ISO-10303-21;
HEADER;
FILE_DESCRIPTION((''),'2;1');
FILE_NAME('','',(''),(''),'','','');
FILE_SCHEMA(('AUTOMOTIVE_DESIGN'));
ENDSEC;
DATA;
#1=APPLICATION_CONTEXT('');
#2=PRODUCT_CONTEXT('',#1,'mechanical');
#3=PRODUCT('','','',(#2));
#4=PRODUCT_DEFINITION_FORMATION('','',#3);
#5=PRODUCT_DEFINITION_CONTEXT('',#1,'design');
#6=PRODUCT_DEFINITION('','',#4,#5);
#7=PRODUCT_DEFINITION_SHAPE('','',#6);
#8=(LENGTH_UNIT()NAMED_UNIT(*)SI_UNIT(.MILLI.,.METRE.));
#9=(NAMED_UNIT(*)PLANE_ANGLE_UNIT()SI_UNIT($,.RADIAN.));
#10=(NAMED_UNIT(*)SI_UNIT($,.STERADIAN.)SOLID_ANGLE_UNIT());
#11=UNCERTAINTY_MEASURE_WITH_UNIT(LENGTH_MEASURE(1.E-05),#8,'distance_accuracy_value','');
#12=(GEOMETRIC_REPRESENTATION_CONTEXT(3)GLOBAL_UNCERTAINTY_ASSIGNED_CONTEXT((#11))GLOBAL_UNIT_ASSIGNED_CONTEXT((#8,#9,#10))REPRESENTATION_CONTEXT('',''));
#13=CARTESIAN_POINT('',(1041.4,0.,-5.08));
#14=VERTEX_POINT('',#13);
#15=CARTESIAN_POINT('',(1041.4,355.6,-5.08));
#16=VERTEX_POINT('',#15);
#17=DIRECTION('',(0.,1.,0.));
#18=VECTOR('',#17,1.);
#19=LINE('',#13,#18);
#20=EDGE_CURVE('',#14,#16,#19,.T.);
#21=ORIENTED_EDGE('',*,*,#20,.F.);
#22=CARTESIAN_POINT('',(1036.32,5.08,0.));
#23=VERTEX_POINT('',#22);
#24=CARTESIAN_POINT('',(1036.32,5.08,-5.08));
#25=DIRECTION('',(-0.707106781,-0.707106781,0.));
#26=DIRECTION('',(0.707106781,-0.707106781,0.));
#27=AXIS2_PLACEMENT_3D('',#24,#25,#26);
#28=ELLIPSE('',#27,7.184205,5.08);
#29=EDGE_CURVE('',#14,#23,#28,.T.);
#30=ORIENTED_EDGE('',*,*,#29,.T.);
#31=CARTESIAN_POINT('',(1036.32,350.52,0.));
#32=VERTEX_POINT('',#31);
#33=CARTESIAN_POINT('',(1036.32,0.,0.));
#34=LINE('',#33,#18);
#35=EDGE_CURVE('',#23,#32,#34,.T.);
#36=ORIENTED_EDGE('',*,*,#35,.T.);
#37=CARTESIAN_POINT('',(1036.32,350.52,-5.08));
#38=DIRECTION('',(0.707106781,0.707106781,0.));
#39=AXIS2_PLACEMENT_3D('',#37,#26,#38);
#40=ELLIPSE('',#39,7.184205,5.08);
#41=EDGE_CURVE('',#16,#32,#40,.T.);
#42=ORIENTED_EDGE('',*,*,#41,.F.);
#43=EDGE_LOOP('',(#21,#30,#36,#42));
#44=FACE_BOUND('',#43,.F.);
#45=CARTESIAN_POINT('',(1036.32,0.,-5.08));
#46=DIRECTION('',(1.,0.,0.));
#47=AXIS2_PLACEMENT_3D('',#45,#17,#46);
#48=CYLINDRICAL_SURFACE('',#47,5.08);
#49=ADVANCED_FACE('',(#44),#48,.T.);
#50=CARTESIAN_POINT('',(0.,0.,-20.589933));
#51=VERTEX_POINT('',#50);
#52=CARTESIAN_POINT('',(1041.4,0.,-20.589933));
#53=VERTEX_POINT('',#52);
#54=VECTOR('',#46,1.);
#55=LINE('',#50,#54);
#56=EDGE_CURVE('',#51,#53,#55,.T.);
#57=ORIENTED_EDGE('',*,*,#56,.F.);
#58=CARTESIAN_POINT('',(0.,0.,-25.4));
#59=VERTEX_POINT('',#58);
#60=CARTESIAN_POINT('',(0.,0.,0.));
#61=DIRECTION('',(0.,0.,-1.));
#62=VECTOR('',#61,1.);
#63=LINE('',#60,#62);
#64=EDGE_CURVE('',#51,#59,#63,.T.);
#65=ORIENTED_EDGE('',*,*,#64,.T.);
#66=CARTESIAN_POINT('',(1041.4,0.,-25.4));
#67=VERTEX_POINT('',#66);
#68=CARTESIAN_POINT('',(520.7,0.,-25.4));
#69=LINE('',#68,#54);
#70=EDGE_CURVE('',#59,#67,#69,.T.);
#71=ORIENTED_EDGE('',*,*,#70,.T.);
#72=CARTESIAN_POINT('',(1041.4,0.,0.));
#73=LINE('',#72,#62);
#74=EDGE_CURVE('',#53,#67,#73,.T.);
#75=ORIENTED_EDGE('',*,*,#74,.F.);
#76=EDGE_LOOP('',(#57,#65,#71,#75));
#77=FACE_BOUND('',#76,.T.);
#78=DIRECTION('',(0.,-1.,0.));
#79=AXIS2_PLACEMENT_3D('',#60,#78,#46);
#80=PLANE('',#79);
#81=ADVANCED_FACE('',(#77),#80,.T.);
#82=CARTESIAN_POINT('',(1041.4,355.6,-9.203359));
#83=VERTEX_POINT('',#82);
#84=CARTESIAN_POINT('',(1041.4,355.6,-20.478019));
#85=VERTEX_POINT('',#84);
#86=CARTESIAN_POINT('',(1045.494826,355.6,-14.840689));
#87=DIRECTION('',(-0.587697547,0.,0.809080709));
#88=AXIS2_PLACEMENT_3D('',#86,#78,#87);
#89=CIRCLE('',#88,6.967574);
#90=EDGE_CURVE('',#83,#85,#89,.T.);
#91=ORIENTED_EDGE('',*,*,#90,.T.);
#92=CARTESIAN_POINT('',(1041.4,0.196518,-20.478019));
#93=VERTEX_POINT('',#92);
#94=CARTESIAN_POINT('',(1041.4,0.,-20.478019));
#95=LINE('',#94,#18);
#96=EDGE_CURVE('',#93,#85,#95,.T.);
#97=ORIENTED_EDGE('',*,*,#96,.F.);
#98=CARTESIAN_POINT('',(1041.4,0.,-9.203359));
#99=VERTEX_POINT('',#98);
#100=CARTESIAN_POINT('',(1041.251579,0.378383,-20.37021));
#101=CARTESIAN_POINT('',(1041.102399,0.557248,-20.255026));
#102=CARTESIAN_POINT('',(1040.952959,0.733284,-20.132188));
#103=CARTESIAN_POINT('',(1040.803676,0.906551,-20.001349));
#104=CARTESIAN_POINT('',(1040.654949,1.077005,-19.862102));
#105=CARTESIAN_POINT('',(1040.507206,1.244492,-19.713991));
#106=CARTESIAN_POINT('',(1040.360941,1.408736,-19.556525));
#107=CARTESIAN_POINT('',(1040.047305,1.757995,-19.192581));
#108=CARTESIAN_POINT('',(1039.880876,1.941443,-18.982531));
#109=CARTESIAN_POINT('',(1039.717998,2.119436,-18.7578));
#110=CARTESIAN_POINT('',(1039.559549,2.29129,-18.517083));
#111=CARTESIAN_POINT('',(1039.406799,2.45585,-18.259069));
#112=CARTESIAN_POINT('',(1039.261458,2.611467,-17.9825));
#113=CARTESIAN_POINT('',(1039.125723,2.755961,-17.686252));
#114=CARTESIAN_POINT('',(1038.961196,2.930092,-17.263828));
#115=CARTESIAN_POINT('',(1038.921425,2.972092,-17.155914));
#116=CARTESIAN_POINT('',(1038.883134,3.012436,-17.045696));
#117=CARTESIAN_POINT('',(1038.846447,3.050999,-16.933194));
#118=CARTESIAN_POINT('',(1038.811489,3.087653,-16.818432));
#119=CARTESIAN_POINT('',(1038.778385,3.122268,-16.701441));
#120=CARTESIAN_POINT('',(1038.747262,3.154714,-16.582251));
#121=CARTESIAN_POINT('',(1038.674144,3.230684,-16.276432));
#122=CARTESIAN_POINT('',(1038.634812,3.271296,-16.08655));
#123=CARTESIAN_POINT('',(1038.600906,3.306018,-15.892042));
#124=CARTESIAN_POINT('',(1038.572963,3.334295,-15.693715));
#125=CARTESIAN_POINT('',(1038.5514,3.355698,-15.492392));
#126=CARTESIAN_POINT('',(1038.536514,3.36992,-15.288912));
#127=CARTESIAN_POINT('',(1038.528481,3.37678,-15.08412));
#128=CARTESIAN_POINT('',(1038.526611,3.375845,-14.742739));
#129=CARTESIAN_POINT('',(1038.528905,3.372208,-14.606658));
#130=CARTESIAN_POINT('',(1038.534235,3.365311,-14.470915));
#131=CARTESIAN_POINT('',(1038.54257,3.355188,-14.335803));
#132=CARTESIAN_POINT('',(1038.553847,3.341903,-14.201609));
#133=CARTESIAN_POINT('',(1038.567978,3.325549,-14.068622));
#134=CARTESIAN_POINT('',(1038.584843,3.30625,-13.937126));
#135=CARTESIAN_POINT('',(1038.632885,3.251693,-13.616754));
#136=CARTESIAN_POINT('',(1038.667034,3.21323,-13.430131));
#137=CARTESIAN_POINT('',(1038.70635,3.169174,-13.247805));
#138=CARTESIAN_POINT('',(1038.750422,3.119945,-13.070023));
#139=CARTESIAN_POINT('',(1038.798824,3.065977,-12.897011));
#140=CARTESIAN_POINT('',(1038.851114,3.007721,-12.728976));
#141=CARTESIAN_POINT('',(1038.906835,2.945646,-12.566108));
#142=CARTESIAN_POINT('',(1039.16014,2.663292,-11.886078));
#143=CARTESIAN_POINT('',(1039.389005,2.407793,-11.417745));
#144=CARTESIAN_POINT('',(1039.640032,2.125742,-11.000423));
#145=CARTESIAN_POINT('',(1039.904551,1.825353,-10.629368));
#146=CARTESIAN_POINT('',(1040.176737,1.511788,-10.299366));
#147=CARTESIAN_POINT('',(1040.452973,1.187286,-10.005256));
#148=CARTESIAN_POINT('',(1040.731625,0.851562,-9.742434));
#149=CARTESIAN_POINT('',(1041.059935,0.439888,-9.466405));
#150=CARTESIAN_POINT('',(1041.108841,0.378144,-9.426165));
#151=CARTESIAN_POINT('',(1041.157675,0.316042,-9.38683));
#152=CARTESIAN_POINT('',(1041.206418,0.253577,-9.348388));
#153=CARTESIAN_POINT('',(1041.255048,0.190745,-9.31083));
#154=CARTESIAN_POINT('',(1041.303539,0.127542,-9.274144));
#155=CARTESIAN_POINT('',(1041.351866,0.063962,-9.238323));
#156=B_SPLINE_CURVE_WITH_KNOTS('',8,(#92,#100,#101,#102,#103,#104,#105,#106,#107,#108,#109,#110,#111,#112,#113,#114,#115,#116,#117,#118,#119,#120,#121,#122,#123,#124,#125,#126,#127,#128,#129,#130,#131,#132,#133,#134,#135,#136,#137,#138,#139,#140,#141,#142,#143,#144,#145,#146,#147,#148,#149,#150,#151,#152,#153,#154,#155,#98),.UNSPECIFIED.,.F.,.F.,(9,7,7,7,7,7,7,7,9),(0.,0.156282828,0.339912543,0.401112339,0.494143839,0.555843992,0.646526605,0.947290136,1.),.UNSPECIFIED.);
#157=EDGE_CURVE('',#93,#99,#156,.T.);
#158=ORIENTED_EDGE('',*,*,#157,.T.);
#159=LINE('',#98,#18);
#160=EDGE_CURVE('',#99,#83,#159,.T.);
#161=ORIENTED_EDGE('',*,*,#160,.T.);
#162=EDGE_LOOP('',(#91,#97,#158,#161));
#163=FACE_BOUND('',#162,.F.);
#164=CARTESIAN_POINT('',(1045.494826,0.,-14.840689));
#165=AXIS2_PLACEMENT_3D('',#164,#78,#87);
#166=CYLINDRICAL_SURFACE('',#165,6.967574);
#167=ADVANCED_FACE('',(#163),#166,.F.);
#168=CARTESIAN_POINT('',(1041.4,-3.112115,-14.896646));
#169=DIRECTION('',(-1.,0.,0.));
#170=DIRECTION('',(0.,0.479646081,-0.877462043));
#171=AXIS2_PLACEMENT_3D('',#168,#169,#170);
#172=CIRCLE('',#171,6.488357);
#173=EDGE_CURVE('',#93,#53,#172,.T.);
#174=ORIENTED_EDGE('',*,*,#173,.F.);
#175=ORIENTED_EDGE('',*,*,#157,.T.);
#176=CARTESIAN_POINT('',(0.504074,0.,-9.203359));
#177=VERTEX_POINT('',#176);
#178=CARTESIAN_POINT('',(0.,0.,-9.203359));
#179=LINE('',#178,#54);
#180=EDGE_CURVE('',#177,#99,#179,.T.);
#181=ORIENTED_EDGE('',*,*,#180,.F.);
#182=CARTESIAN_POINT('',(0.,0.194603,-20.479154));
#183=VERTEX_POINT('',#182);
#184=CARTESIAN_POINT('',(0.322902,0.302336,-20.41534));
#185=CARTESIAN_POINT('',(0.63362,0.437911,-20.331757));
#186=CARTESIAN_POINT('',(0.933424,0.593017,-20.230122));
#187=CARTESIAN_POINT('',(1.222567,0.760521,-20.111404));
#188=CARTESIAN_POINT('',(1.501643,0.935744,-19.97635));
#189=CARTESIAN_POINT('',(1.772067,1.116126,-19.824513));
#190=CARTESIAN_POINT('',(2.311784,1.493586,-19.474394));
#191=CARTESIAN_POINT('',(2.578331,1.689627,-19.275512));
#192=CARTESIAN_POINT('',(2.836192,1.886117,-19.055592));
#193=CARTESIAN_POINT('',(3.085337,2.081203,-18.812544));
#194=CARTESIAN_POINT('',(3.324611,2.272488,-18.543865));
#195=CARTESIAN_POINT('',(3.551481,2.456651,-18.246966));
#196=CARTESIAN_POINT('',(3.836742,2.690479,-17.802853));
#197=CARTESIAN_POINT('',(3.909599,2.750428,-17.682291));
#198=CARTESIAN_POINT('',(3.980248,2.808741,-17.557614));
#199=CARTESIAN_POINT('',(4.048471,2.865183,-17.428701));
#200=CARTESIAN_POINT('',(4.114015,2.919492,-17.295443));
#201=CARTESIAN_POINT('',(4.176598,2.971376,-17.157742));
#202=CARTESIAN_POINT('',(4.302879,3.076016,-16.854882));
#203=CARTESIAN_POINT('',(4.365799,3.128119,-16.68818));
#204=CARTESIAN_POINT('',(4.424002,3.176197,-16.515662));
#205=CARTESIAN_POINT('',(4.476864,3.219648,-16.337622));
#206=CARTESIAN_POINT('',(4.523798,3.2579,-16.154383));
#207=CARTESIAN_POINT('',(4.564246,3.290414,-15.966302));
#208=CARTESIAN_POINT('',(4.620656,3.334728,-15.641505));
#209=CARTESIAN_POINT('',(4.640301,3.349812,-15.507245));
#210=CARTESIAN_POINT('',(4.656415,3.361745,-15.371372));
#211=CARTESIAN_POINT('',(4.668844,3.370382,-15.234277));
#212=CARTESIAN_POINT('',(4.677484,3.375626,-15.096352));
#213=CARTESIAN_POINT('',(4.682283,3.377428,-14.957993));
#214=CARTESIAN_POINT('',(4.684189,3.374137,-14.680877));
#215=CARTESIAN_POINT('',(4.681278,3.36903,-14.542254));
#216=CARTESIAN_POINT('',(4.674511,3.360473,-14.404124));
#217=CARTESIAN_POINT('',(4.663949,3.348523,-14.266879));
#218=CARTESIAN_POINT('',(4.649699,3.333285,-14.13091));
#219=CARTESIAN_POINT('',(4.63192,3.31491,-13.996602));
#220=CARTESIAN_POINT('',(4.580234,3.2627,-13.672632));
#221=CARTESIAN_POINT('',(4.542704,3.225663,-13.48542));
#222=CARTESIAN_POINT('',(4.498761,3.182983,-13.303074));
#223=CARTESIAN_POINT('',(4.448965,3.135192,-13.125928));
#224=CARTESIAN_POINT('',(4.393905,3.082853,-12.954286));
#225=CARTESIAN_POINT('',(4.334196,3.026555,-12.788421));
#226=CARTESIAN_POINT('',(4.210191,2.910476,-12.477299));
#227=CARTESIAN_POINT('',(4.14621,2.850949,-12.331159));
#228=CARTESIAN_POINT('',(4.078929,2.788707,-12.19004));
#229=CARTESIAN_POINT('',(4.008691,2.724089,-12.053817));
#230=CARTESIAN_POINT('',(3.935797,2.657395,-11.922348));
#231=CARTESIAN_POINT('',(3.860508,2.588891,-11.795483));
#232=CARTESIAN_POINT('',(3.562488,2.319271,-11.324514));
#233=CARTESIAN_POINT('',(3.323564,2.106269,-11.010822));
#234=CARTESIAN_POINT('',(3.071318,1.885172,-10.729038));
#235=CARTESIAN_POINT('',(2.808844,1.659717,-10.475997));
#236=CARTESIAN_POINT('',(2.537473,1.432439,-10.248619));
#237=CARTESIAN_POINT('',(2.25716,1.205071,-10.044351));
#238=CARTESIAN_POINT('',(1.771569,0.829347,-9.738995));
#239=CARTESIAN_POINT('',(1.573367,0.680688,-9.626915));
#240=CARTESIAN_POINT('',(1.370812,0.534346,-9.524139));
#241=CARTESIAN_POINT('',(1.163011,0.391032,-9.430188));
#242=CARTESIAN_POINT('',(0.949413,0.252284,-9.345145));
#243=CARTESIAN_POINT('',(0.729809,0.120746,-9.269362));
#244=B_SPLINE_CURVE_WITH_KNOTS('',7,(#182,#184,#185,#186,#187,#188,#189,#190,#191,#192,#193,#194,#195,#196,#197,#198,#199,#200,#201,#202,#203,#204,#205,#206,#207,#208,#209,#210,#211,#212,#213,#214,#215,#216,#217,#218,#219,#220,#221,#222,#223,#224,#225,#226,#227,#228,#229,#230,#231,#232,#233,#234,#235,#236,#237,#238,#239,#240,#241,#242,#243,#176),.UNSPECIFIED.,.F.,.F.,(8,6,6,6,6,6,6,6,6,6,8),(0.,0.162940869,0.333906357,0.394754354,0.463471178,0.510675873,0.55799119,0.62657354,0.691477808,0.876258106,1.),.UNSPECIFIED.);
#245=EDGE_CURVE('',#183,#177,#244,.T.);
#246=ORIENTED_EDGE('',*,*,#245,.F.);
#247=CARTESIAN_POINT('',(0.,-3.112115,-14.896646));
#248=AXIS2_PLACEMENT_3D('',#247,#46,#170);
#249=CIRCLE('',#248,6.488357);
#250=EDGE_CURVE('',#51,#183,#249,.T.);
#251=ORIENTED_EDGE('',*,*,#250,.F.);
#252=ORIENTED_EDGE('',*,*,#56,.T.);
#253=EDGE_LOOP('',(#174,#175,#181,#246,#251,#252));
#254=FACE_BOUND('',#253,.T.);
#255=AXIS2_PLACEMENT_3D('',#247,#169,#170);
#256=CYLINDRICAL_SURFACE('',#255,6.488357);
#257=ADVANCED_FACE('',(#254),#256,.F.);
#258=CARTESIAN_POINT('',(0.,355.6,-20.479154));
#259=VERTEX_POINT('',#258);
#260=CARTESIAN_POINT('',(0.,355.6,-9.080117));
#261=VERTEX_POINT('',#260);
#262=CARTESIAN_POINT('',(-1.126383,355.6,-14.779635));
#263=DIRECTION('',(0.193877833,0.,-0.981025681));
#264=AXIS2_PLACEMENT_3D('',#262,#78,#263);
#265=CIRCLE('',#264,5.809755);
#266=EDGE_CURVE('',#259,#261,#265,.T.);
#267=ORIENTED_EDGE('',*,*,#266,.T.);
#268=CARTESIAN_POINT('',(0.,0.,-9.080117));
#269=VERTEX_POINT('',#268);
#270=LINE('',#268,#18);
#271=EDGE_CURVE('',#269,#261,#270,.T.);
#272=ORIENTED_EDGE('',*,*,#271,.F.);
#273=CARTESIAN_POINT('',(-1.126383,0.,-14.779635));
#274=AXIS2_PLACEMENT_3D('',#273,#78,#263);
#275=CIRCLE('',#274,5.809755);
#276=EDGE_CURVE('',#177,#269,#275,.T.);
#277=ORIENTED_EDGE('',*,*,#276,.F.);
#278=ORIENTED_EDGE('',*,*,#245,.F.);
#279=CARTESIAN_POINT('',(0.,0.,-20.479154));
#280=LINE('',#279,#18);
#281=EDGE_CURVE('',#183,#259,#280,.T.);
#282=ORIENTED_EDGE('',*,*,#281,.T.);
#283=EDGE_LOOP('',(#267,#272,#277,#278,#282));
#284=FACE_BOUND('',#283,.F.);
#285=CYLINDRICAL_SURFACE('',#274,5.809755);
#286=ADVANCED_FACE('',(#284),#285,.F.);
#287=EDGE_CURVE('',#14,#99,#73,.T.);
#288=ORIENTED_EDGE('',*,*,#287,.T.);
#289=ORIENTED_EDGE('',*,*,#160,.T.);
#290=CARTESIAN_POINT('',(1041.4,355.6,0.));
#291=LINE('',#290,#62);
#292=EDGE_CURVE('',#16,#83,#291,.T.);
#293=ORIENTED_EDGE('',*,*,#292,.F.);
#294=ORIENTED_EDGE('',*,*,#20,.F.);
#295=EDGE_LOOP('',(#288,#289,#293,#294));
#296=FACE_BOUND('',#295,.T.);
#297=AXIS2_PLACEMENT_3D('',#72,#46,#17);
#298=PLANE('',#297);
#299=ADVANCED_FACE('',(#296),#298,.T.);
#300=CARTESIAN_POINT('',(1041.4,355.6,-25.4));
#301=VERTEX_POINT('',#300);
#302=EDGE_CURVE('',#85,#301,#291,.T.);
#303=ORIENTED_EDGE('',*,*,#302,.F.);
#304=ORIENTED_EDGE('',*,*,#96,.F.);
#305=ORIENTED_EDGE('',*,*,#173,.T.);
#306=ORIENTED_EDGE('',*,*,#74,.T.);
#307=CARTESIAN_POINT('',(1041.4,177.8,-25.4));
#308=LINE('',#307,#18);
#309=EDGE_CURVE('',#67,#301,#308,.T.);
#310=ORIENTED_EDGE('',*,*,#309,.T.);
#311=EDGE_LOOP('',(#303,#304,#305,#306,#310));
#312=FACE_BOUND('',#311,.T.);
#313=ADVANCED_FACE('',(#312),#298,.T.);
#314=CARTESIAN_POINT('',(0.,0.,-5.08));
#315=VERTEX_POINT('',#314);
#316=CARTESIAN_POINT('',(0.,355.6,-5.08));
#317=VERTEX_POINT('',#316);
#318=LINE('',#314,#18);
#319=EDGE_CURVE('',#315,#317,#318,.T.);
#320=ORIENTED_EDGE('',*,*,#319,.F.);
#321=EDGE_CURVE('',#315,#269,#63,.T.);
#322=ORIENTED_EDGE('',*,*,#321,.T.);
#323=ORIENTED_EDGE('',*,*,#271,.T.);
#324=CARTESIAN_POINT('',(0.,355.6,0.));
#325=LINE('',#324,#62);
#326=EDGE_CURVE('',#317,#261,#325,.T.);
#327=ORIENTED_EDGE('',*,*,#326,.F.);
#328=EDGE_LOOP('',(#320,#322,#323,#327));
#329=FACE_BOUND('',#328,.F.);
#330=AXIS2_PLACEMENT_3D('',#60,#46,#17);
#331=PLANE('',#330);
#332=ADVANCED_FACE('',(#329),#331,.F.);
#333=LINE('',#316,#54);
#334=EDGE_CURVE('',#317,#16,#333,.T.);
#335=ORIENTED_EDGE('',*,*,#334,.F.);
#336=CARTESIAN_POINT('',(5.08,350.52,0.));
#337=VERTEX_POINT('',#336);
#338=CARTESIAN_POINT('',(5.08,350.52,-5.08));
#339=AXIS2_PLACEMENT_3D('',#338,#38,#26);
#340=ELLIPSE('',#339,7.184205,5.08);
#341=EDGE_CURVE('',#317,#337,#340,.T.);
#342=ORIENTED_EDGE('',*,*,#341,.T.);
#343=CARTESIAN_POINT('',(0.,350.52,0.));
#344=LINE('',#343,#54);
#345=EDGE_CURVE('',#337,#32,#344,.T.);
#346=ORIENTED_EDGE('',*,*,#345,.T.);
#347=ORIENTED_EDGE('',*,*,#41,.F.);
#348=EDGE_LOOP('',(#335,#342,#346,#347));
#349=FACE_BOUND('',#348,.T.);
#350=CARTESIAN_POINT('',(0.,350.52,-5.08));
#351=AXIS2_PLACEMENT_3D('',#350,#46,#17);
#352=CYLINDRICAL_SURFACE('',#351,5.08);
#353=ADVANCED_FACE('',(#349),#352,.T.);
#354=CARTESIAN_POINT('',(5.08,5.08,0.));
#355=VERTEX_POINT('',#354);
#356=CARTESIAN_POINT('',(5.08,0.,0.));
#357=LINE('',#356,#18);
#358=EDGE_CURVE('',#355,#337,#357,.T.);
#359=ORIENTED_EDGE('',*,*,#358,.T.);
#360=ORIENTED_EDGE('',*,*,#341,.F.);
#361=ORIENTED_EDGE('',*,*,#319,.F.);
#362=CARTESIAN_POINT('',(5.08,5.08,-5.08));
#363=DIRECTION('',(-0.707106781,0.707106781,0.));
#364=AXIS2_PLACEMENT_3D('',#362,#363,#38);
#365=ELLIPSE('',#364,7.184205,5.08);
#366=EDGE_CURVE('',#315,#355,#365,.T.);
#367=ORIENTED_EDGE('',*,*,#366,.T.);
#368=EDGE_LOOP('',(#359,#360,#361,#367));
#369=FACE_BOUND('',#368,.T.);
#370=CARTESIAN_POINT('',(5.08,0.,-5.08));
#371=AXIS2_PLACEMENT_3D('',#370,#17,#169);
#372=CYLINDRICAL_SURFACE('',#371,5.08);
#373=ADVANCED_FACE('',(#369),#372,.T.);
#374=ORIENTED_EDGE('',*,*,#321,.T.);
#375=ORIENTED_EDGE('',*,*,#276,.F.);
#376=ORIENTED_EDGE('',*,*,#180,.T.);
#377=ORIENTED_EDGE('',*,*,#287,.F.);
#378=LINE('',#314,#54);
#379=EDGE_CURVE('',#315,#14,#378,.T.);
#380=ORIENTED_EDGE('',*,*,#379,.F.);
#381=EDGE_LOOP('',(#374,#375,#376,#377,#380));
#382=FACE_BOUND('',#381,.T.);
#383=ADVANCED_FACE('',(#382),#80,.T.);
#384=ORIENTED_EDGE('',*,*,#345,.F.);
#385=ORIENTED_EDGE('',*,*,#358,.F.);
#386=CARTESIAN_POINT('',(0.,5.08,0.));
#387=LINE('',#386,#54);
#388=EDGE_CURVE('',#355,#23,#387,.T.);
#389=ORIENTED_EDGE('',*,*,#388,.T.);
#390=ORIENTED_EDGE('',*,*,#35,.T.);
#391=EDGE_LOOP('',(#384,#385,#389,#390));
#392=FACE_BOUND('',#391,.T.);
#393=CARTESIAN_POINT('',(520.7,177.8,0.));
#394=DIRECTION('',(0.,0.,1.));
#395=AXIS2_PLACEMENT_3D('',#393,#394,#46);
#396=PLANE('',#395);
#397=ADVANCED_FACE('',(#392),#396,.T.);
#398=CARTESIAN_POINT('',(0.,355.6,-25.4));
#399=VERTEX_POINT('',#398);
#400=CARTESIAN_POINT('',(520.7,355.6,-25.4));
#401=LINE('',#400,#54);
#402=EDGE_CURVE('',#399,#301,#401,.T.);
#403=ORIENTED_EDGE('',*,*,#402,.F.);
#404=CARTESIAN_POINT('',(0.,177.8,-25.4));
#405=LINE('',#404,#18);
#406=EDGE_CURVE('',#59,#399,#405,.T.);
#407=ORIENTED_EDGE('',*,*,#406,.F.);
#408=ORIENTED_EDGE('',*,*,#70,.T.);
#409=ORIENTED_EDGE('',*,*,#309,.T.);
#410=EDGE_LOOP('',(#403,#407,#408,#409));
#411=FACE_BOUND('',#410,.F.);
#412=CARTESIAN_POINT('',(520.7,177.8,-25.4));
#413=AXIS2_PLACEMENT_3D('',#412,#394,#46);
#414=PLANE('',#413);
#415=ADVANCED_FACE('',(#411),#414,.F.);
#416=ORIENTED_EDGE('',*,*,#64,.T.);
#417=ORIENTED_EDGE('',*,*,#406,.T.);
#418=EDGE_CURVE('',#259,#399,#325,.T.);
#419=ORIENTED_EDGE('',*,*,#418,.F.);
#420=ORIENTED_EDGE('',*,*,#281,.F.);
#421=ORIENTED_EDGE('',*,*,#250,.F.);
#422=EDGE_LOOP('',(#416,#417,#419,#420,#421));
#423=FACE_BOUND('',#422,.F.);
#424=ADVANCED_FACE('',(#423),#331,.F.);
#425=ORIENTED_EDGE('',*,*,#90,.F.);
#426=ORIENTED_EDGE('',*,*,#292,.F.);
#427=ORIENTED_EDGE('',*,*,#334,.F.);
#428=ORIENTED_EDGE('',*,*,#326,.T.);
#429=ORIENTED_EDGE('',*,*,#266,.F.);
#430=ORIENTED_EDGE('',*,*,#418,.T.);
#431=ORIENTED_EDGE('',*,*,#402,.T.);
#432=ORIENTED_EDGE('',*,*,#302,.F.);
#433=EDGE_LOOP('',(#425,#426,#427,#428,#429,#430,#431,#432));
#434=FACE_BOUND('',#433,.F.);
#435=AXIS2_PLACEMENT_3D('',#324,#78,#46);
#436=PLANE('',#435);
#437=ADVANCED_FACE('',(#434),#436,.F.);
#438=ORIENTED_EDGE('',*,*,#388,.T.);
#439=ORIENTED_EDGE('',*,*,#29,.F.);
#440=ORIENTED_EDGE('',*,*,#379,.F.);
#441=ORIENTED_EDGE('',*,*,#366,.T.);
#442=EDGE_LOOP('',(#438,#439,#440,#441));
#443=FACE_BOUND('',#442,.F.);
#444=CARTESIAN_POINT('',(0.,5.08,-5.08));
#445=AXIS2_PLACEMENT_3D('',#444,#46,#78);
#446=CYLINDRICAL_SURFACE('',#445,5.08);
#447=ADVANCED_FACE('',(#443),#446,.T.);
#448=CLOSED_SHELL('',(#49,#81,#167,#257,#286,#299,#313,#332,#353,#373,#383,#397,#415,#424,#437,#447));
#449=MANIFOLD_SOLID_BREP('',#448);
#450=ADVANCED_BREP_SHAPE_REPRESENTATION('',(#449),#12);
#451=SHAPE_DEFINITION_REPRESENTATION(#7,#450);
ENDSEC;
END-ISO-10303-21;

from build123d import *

# Parameters (mm, degrees)
F0_W     = 1041.4
F0_H     = 355.6
F1_DEPTH = 25.4
F2_R     = 5.08
F4_DEPTH = 355.601
F6_DEPTH = 1041.401
F8_DEPTH = 355.601


with BuildPart() as f1:
    # F0 (on Top) → F1 (new body)
    with BuildSketch(Plane.XY):
        with Locations((520.7, 177.8)):
            Rectangle(F0_W, F0_H)
    extrude(amount=-F1_DEPTH)

    # F2
    f2_edges = [f1.edges().sort_by_distance(p)[0] for p in [
        (520.7, 0, 0),
        (1041.4, 177.8, 0),
        (520.7, 355.6, 0),
        (0, 177.8, 0),
    ]]
    fillet(f2_edges, radius=F2_R)

    # F3 (on face) → F4 (cut, through all)
    with BuildSketch(Plane.XZ):
        with BuildLine():
            Line((0, -9.080117), (0, -20.479154))
            ThreePointArc((0, -20.479154), (4.683372, -14.779635), (0, -9.080117))
        make_face()
    extrude(amount=-F4_DEPTH, mode=Mode.SUBTRACT)

    # F5 (on Right) → F6 (cut, through all)
    with BuildSketch(Plane.YZ):
        with BuildLine():
            Line((0, -9.203359), (0, -20.589933))
            ThreePointArc((0, -20.589933), (3.376242, -14.896646), (0, -9.203359))
        make_face()
    extrude(amount=F6_DEPTH, mode=Mode.SUBTRACT)

    # F7 (on face) → F8 (cut, through all)
    with BuildSketch(Plane.XZ):
        with BuildLine():
            Line((1041.4, -20.478019), (1041.4, -9.203359))
            ThreePointArc((1041.4, -9.203359), (1038.527252, -14.840689), (1041.4, -20.478019))
        make_face()
    extrude(amount=-F8_DEPTH, mode=Mode.SUBTRACT)


solid = f1.part
